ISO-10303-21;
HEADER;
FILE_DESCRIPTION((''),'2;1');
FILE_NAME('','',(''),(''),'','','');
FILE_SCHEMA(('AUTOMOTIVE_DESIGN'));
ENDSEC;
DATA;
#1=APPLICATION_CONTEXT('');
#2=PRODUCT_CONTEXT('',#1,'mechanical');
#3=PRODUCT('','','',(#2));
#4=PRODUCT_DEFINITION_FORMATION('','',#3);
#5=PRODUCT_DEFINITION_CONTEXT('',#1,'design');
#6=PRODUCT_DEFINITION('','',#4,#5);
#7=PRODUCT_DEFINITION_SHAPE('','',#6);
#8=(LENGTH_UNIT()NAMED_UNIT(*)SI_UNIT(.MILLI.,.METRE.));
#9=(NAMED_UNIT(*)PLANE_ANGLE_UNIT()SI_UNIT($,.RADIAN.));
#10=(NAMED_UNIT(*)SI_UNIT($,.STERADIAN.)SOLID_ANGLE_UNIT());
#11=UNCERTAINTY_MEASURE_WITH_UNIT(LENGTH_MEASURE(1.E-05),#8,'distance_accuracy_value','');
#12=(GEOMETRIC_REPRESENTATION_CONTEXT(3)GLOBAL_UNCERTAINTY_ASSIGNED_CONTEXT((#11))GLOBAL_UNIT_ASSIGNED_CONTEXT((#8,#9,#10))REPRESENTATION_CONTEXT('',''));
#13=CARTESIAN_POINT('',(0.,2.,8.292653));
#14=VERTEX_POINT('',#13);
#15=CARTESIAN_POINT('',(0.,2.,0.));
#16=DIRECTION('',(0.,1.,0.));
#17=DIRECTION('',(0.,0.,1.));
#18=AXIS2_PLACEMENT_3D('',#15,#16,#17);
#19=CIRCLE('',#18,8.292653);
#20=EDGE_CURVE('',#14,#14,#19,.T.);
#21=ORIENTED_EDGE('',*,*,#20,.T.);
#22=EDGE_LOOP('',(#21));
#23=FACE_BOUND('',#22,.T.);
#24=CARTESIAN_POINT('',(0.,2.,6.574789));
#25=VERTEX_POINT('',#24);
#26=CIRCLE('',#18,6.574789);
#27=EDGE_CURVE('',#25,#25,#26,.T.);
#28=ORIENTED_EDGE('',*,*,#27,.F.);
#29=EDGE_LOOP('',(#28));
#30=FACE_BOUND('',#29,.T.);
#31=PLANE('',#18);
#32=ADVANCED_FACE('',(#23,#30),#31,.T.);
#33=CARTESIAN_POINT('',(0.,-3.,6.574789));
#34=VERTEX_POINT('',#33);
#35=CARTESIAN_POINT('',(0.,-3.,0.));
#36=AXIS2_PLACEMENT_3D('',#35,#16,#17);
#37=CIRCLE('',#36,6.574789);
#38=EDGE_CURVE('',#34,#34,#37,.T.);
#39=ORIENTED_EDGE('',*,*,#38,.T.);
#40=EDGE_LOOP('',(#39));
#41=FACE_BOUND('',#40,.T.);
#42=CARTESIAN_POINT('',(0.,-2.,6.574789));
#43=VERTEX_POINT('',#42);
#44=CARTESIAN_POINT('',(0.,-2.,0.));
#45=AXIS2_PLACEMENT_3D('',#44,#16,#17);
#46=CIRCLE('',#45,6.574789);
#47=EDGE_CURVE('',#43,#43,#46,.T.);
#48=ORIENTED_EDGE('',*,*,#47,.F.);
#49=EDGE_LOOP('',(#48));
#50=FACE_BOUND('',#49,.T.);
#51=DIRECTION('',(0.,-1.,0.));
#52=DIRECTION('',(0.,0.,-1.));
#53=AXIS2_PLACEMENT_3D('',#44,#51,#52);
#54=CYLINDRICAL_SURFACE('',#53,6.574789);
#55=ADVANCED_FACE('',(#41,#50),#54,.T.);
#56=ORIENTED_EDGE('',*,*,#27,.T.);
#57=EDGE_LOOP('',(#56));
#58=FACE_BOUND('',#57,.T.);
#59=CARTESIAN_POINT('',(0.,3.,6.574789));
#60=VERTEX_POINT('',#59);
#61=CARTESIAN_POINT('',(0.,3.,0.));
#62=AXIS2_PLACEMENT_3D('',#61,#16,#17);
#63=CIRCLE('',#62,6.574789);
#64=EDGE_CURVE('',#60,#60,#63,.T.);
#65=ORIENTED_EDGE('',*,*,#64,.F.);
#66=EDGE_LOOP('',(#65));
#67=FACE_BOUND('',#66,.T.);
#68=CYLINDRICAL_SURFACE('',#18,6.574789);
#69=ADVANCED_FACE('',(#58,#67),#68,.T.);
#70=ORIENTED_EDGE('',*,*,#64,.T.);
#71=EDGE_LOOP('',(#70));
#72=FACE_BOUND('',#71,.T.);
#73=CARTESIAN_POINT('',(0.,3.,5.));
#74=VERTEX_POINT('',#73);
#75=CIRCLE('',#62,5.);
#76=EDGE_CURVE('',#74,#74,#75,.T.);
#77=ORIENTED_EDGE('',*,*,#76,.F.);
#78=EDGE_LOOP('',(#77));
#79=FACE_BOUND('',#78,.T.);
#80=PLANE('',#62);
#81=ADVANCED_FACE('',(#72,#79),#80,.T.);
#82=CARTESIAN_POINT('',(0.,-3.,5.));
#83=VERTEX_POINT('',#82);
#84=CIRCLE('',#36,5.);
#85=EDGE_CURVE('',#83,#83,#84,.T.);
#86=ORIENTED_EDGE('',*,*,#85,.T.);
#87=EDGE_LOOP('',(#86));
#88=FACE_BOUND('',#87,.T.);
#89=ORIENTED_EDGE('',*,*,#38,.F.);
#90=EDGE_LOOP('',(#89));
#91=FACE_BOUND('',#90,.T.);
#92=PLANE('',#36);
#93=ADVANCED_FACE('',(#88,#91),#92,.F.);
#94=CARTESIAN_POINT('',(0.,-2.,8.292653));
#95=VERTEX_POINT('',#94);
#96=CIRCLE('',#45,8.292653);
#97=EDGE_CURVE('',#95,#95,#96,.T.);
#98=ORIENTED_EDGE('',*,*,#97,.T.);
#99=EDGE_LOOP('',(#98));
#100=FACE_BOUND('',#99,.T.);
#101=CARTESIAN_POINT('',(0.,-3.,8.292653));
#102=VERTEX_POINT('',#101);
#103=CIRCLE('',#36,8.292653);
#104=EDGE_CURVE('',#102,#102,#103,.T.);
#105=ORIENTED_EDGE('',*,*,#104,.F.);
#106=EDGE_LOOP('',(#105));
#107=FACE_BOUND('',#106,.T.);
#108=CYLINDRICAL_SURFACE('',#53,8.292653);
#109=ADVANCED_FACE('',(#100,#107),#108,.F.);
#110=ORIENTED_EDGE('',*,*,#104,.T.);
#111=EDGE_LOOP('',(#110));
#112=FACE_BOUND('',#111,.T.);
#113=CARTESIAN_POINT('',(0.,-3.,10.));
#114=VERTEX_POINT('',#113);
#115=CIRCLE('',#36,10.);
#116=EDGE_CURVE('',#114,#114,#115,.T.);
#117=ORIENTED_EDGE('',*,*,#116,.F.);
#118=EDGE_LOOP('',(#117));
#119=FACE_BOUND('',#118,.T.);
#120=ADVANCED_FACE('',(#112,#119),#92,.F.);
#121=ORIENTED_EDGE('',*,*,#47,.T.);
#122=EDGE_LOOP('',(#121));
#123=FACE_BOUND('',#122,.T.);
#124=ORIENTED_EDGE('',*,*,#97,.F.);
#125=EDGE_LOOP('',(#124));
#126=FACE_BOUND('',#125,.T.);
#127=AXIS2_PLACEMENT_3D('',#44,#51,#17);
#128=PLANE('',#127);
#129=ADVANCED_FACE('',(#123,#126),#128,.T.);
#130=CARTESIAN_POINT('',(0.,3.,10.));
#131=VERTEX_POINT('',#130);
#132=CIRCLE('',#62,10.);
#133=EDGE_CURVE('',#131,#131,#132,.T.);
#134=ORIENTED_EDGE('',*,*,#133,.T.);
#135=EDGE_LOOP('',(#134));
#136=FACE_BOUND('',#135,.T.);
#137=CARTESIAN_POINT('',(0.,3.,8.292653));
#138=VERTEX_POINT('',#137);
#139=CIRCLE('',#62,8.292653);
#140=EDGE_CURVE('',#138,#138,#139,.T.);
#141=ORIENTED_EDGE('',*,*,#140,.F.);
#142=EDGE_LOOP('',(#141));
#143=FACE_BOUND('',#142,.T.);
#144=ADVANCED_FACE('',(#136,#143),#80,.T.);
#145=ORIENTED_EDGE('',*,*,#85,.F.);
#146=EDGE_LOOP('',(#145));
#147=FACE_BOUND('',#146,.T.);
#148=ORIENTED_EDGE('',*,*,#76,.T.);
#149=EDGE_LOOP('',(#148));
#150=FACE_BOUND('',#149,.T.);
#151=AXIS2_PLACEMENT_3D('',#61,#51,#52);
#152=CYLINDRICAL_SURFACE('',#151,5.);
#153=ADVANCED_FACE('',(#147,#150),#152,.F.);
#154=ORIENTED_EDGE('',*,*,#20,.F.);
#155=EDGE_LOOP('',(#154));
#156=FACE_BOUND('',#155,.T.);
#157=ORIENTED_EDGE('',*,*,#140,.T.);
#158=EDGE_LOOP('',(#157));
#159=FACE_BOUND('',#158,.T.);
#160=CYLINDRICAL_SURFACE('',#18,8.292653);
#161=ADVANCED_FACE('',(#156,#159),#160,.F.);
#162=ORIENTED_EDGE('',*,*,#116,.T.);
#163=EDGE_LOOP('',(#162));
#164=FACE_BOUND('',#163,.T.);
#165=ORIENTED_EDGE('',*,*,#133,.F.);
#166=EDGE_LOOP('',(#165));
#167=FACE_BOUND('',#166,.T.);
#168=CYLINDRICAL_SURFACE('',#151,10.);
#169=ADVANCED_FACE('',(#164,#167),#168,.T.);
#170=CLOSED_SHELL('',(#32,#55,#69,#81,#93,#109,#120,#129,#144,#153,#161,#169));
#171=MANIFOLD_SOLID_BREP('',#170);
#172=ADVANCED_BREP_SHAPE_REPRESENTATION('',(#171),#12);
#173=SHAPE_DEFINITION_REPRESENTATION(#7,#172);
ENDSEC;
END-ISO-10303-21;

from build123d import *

# Parameters (mm, degrees)
SKETCH1_R           = 10
SKETCH1_R_2         = 5
BOSS_EXTRUDE1_DEPTH = 3
SKETCH2_R           = 8.292653498
SKETCH2_R_2         = 6.57478936
CUT_EXTRUDE1_DEPTH  = 1


with BuildPart() as part:
    # Sketch1 → Boss-Extrude1 (new, symmetric)
    with BuildSketch(Plane(origin=(0, 0, 0), x_dir=(1, 0, 0), z_dir=(0, 1, 0))):
        with Locations(Location((0, 0, 0), (0, 0, 270))):
            Circle(SKETCH1_R)
        with Locations(Location((0, 0, 0), (0, 0, 270))):
            Circle(SKETCH1_R_2, mode=Mode.SUBTRACT)
    extrude(amount=BOSS_EXTRUDE1_DEPTH, both=True)

    # Sketch2 → Cut-Extrude1 (cut)
    with BuildSketch(Plane(origin=(0, 3, 0), x_dir=(1, 0, 0), z_dir=(0, 1, 0))):
        with Locations(Location((0, 0, 0), (0, 0, 270))):
            Circle(SKETCH2_R)
        with Locations(Location((0, 0, 0), (0, 0, 270))):
            Circle(SKETCH2_R_2, mode=Mode.SUBTRACT)
    cut_extrude1 = extrude(amount=-CUT_EXTRUDE1_DEPTH, mode=Mode.SUBTRACT)

    # Mirror1: Cut-Extrude1 across plane
    add(cut_extrude1.mirror(Plane.ZX), mode=Mode.SUBTRACT)


solid = part.part
